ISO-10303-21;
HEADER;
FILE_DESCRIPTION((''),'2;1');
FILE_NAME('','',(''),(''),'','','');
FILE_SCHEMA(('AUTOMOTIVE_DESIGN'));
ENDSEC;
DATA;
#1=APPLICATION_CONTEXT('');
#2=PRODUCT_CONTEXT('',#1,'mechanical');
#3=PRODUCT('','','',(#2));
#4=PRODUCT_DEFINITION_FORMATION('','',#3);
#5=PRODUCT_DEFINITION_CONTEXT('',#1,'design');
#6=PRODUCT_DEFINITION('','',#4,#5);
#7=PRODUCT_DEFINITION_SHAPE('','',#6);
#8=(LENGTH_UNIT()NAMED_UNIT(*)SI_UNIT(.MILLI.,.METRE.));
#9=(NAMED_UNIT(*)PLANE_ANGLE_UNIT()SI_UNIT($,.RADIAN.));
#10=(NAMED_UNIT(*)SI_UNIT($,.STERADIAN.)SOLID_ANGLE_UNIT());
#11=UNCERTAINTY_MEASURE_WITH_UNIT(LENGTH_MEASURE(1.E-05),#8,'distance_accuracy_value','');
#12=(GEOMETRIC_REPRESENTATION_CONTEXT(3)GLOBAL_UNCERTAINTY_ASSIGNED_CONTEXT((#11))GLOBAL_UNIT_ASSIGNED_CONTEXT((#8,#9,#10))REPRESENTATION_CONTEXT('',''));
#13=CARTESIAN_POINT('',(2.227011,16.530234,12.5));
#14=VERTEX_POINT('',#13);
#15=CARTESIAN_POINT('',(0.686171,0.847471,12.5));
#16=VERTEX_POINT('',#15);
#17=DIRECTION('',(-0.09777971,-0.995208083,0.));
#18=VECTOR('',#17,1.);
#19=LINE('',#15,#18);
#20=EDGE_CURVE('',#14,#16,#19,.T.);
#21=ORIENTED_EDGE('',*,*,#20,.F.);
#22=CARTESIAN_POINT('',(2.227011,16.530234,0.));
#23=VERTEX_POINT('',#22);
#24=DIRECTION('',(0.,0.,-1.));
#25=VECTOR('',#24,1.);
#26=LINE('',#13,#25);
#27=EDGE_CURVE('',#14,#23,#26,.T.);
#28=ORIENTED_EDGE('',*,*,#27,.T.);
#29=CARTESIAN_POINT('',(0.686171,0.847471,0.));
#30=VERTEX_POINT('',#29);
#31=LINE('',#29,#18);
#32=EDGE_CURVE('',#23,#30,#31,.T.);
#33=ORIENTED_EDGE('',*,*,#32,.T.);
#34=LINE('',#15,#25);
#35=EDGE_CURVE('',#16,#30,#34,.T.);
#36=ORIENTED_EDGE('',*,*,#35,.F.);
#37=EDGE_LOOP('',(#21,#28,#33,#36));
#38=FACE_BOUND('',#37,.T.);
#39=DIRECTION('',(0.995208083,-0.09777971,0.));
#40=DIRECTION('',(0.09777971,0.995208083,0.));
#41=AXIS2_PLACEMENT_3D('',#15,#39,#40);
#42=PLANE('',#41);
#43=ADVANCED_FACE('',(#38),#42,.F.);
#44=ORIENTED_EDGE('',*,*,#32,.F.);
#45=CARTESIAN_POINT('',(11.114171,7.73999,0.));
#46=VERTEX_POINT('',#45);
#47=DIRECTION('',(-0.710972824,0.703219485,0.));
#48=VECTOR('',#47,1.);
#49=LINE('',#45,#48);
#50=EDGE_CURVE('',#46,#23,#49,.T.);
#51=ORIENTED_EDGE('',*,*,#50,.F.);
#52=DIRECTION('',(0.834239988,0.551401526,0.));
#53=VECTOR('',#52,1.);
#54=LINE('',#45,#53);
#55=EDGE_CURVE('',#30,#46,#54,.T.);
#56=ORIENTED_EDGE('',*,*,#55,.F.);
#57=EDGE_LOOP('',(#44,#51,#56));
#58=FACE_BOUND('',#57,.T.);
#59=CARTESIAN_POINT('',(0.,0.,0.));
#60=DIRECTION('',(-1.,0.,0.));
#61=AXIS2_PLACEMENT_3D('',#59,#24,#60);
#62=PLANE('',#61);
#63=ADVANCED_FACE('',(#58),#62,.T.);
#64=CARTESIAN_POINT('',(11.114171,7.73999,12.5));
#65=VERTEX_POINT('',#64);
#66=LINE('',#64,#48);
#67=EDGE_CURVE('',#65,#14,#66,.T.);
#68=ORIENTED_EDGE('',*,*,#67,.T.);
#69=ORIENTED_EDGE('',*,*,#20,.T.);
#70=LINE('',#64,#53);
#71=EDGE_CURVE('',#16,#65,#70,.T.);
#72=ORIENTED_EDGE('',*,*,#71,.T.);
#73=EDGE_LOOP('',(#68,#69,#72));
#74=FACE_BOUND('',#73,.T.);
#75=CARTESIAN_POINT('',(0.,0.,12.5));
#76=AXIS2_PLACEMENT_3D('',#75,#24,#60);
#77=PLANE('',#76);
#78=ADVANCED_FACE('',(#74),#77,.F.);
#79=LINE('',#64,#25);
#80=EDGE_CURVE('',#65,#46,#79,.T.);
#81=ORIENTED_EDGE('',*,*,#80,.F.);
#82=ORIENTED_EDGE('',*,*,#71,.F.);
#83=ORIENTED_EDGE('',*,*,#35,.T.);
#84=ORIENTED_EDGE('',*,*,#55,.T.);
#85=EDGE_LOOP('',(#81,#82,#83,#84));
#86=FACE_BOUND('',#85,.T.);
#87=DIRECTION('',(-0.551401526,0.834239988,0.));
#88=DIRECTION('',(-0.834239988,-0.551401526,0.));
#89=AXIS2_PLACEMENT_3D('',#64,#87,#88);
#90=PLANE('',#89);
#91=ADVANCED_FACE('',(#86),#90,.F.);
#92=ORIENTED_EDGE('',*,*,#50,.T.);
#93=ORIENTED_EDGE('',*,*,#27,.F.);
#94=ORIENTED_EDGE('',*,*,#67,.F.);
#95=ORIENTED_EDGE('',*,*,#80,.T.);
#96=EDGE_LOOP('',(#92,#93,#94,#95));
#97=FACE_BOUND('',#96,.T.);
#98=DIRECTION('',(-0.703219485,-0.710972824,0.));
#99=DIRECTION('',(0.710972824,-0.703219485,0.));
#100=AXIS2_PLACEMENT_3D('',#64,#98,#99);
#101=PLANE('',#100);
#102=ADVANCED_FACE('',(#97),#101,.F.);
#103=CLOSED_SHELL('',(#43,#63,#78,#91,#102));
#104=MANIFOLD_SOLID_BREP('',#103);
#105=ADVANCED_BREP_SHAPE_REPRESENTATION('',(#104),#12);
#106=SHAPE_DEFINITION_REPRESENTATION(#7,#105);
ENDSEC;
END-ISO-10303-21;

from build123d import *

# Parameters (mm, degrees)
EXTRUDE_1_DEPTH = 12.5


with BuildPart() as part:
    # 草图2 → 凸台-拉伸1 (new body)
    with BuildSketch(Plane.XY):
        Polygon((11.114170821, 7.73999018), (2.227010526, 16.530233743), (0.686170974, 0.847471105), align=None)
    extrude(amount=EXTRUDE_1_DEPTH)


solid = part.part
